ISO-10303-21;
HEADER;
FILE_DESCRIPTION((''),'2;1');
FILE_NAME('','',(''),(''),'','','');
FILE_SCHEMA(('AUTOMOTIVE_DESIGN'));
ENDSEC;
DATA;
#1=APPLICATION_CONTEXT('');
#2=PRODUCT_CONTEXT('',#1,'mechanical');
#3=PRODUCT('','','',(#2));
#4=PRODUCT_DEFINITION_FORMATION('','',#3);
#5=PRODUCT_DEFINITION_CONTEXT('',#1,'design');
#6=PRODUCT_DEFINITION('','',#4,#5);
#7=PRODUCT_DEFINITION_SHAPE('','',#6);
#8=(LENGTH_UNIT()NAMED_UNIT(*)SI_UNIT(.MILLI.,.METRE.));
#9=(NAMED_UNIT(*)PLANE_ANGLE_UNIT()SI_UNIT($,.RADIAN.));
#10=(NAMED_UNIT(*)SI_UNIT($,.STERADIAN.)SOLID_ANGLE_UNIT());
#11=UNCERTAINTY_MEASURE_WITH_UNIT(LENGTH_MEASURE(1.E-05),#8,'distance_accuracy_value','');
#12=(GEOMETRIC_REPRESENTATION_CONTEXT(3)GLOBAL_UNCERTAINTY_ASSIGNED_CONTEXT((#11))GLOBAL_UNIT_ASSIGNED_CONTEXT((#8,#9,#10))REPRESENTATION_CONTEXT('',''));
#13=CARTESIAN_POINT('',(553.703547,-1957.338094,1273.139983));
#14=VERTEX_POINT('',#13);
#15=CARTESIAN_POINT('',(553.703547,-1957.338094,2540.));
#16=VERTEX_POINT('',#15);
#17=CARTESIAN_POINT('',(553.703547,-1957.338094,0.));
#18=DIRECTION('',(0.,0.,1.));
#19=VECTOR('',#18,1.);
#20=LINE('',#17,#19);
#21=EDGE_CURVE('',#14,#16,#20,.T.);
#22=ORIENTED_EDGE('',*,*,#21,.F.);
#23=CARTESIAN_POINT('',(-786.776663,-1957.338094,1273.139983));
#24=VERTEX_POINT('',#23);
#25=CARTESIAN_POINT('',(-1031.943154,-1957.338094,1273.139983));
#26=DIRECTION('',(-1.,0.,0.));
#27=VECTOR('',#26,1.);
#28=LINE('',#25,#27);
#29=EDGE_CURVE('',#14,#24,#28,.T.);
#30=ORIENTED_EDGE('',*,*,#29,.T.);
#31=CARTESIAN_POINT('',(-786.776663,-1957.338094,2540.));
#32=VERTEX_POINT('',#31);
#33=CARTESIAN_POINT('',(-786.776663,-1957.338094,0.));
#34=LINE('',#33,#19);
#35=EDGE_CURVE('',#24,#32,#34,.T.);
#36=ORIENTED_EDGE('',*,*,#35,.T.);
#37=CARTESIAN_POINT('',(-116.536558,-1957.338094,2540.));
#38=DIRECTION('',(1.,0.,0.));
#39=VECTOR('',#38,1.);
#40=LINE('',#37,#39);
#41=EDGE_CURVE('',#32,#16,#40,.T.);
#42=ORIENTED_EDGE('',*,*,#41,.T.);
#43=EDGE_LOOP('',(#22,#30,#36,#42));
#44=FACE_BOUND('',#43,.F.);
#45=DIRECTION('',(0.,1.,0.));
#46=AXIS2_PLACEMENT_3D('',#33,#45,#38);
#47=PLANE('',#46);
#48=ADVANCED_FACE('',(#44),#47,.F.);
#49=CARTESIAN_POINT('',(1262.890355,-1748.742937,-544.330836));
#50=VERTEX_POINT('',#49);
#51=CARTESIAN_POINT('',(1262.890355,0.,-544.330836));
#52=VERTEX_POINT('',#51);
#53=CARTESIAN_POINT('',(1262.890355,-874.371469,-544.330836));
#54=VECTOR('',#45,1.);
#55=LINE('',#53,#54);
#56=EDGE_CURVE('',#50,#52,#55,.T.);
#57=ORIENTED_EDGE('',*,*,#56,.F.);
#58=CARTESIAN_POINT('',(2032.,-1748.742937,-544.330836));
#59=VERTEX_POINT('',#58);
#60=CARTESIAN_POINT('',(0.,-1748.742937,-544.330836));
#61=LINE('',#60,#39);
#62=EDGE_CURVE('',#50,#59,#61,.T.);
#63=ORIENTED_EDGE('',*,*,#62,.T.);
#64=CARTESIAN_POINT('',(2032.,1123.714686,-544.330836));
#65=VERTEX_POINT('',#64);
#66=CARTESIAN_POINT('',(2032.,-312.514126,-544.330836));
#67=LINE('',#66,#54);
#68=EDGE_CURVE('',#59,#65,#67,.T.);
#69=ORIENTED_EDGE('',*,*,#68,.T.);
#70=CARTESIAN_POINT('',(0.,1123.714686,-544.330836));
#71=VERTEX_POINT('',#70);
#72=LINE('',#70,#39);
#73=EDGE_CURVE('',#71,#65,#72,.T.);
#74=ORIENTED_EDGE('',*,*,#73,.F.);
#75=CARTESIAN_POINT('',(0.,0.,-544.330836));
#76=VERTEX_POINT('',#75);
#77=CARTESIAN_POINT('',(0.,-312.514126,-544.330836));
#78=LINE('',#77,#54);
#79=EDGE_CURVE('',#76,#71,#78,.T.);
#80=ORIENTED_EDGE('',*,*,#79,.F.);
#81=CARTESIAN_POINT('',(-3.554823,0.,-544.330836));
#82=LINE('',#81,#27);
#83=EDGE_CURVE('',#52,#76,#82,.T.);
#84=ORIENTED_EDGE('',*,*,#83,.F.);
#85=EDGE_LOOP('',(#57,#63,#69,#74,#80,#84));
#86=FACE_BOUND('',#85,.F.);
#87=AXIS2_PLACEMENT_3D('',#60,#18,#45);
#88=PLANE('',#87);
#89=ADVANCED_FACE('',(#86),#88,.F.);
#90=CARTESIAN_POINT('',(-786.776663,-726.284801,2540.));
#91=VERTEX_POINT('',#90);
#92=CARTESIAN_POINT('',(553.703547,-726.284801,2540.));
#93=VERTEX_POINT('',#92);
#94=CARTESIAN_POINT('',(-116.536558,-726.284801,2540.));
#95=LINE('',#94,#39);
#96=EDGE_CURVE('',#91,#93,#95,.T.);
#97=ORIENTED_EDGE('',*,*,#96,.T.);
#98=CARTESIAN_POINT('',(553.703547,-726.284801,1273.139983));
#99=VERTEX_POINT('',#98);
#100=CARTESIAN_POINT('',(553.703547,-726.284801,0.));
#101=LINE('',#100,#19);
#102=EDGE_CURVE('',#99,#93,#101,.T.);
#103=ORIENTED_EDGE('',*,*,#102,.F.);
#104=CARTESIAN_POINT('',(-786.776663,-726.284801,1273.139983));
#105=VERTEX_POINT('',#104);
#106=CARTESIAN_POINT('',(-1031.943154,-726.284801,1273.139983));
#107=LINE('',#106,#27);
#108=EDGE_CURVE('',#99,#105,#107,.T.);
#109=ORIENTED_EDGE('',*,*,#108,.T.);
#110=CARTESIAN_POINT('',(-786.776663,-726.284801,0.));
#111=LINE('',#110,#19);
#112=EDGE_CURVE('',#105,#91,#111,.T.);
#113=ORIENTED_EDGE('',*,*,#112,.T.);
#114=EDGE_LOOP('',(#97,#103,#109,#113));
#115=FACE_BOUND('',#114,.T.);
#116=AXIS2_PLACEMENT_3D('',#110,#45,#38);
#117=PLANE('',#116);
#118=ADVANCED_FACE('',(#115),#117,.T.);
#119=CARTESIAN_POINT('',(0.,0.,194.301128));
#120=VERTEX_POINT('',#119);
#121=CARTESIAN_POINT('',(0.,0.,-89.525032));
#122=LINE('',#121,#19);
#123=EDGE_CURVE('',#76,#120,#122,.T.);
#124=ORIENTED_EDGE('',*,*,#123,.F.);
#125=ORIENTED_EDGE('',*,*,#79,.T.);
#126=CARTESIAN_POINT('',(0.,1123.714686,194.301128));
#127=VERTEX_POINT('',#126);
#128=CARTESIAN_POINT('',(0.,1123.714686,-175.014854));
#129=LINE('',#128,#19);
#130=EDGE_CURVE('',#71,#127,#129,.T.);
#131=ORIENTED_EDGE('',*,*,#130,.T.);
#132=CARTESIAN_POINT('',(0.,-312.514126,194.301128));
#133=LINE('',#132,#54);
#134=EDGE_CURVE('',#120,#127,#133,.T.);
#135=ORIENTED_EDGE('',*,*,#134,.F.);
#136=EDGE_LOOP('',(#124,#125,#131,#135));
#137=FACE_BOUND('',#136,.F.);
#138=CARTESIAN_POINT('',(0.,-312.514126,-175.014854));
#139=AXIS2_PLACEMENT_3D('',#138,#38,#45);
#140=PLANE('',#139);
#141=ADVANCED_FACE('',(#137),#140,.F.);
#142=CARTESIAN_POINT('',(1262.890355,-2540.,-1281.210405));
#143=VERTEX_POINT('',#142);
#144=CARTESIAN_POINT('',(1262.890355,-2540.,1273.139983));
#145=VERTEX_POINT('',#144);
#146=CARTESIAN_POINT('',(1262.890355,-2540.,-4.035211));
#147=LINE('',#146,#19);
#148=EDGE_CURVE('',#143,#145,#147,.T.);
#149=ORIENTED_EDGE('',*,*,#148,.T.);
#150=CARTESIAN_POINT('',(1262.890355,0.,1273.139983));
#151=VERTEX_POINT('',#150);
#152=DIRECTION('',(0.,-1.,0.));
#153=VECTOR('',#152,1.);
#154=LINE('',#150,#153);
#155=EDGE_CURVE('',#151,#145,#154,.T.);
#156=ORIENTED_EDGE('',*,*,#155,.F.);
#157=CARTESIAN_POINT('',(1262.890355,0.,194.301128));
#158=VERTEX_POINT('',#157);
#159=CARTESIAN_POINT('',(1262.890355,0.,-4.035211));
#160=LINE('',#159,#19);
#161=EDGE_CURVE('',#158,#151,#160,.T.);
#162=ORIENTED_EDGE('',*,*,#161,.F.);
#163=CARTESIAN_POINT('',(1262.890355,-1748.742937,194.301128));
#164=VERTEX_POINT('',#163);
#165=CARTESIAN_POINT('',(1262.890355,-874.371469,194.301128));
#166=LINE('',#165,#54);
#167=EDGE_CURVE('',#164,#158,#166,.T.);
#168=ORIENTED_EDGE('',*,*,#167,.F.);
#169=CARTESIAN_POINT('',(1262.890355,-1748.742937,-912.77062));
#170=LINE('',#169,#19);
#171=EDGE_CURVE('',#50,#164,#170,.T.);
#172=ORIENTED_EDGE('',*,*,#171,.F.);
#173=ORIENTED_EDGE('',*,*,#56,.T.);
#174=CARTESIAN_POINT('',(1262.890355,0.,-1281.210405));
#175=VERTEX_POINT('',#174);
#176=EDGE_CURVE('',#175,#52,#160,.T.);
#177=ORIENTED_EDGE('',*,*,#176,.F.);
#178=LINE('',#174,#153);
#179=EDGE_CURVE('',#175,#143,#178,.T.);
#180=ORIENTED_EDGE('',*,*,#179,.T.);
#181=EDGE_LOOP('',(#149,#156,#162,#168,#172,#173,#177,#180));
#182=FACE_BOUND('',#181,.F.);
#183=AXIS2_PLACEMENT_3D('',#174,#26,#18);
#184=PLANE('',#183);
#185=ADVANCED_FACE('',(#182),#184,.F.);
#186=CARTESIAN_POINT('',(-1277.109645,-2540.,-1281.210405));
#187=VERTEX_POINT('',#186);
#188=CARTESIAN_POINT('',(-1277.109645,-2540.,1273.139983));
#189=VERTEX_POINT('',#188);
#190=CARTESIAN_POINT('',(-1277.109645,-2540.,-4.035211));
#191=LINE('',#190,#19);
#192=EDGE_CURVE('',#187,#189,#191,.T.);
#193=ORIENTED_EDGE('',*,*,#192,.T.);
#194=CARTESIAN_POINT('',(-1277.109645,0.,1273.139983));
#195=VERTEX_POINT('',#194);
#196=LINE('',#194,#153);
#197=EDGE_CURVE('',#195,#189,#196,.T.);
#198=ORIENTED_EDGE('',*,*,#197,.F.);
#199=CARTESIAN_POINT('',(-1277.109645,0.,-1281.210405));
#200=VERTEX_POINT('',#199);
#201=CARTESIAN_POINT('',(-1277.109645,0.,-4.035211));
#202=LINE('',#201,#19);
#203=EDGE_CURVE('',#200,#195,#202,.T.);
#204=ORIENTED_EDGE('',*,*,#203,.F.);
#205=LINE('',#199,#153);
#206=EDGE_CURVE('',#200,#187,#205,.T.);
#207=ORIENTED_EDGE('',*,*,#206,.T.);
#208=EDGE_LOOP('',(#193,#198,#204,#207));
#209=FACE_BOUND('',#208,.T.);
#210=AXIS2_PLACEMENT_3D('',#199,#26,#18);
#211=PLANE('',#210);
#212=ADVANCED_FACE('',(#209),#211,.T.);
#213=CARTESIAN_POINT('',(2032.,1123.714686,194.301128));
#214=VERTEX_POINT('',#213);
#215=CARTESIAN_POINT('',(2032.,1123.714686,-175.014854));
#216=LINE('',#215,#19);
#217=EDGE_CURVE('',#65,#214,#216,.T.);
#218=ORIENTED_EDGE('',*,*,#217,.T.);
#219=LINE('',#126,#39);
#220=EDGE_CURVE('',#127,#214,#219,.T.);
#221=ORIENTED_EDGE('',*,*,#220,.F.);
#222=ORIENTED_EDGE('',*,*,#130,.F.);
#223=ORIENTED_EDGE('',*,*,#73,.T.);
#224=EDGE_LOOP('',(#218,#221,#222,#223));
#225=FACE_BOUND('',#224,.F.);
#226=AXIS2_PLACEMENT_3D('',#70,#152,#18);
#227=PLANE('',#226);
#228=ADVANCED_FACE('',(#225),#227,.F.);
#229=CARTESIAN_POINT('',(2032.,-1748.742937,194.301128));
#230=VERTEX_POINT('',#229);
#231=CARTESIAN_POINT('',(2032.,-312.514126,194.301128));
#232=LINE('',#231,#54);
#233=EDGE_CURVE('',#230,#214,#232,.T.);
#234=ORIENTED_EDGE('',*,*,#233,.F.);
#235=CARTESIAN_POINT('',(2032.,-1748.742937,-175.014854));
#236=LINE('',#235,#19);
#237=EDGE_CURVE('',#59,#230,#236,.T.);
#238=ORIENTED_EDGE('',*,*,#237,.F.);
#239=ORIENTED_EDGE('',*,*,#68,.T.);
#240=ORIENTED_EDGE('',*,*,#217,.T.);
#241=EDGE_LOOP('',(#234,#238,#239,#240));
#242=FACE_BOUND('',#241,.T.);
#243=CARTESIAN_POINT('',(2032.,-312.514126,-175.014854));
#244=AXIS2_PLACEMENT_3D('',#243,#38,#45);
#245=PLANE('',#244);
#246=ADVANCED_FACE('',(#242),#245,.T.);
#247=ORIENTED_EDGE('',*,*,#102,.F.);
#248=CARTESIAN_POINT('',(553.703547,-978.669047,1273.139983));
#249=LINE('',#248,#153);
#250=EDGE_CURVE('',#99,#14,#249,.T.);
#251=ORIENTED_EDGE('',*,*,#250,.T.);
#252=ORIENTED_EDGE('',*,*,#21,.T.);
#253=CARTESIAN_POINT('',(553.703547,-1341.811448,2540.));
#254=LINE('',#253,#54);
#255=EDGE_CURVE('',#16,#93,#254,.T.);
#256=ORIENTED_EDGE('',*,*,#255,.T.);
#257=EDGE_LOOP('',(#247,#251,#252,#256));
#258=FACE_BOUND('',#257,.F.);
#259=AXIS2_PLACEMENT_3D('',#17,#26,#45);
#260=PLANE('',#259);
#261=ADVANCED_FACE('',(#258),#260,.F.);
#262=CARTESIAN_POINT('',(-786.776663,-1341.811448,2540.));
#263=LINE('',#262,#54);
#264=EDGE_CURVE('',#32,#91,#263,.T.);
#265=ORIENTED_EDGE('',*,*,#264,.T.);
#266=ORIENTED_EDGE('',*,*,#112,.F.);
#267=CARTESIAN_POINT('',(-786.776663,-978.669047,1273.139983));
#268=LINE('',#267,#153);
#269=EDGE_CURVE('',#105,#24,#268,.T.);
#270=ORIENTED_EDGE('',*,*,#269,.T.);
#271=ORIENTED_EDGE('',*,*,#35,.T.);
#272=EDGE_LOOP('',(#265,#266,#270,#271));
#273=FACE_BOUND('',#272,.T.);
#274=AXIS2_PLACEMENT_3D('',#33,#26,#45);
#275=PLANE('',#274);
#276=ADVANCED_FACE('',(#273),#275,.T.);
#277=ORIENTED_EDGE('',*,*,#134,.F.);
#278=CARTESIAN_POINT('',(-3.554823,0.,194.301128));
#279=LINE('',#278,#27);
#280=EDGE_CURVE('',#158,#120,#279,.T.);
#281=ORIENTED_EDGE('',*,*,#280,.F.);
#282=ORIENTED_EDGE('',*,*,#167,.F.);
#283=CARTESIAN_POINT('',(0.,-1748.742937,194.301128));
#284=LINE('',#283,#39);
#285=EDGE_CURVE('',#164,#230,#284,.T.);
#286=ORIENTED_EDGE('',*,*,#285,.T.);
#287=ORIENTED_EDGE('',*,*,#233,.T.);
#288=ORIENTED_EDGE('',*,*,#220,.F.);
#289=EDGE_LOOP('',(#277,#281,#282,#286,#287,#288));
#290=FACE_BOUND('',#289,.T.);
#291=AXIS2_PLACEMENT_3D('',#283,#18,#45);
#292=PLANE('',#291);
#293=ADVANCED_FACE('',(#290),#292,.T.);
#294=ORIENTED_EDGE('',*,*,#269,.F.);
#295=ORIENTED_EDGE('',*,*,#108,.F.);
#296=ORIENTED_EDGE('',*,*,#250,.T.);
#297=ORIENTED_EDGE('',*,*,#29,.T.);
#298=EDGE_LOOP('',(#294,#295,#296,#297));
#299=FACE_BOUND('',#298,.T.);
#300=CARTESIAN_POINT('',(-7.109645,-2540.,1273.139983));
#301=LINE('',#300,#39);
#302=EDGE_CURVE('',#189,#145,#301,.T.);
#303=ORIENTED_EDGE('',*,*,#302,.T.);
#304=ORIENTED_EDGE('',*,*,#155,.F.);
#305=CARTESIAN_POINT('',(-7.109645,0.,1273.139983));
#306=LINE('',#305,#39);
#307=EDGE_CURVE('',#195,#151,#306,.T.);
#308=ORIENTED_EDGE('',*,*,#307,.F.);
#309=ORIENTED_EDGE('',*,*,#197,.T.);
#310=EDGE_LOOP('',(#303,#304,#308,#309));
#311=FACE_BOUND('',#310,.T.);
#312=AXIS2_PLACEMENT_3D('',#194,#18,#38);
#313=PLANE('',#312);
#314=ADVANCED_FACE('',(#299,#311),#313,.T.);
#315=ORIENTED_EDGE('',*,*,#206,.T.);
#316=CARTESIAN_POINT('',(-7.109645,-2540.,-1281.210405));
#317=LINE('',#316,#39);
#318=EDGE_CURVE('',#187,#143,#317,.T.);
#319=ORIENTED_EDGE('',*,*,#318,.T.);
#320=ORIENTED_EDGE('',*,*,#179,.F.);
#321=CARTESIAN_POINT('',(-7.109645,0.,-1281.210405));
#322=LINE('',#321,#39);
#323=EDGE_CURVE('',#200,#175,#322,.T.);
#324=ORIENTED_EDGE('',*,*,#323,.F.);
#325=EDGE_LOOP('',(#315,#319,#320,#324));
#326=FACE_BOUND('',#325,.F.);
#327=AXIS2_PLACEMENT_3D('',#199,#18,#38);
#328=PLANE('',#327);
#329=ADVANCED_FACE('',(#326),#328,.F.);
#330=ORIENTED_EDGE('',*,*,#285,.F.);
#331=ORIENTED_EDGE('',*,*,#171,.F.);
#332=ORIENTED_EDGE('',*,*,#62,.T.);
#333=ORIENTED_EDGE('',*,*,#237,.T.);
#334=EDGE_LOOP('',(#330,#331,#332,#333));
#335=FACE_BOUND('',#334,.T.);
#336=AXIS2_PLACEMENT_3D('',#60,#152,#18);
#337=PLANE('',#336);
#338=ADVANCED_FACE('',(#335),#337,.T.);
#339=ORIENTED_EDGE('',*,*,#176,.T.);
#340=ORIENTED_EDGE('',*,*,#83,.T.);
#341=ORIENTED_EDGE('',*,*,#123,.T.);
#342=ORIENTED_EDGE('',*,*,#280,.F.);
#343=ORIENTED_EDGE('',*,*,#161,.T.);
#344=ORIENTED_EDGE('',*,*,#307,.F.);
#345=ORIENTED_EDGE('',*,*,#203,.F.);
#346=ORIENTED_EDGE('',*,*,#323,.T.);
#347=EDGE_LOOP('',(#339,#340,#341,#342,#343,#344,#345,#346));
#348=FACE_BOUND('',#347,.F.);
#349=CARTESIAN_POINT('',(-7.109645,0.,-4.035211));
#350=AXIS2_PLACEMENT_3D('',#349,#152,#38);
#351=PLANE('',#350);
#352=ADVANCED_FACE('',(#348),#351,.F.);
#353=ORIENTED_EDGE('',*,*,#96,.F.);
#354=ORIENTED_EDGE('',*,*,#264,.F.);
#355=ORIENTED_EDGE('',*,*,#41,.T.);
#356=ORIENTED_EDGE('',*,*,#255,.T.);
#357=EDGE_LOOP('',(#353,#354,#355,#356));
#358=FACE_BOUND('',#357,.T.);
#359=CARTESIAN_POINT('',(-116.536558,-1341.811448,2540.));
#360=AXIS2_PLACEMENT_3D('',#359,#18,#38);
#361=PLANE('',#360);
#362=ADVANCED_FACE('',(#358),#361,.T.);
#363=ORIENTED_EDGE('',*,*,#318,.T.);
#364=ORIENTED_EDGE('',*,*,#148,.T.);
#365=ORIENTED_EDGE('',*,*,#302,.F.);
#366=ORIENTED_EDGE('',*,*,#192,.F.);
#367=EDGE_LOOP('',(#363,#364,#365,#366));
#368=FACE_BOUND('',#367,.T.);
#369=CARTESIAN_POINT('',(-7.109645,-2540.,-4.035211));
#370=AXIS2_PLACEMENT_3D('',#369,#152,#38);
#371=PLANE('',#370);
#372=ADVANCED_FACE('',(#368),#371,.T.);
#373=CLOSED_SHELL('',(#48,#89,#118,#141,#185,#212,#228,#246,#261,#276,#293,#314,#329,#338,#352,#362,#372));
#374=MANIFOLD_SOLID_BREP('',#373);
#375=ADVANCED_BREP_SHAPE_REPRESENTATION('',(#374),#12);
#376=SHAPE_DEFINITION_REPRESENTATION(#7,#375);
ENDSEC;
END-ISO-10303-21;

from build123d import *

# Parameters (mm, degrees)
F0_W     = 2540
F0_H     = 2554.350389
F1_DEPTH = 2540
F2_W     = 1340.480209
F2_H     = 1231.053293
F3_DEPTH = 2540
F4_W     = 2872.457623
F4_H     = 738.631963
F5_DEPTH = 2032


with BuildPart() as f1:
    # F0 (on Front) → F1 (new body)
    with BuildSketch(Plane.XZ):
        with Locations((-7.109645, -4.035211)):
            Rectangle(F0_W, F0_H)
    extrude(amount=F1_DEPTH)

    # F2 (on Top) → F3 (join)
    with BuildSketch(Plane.XY):
        with Locations((-116.536558, -1341.811448)):
            Rectangle(F2_W, F2_H)
    extrude(amount=F3_DEPTH)

    # F4 (on Right) → F5 (join)
    with BuildSketch(Plane.YZ):
        with Locations((-312.514126, -175.014854)):
            Rectangle(F4_W, F4_H)
    extrude(amount=F5_DEPTH)


solid = f1.part
